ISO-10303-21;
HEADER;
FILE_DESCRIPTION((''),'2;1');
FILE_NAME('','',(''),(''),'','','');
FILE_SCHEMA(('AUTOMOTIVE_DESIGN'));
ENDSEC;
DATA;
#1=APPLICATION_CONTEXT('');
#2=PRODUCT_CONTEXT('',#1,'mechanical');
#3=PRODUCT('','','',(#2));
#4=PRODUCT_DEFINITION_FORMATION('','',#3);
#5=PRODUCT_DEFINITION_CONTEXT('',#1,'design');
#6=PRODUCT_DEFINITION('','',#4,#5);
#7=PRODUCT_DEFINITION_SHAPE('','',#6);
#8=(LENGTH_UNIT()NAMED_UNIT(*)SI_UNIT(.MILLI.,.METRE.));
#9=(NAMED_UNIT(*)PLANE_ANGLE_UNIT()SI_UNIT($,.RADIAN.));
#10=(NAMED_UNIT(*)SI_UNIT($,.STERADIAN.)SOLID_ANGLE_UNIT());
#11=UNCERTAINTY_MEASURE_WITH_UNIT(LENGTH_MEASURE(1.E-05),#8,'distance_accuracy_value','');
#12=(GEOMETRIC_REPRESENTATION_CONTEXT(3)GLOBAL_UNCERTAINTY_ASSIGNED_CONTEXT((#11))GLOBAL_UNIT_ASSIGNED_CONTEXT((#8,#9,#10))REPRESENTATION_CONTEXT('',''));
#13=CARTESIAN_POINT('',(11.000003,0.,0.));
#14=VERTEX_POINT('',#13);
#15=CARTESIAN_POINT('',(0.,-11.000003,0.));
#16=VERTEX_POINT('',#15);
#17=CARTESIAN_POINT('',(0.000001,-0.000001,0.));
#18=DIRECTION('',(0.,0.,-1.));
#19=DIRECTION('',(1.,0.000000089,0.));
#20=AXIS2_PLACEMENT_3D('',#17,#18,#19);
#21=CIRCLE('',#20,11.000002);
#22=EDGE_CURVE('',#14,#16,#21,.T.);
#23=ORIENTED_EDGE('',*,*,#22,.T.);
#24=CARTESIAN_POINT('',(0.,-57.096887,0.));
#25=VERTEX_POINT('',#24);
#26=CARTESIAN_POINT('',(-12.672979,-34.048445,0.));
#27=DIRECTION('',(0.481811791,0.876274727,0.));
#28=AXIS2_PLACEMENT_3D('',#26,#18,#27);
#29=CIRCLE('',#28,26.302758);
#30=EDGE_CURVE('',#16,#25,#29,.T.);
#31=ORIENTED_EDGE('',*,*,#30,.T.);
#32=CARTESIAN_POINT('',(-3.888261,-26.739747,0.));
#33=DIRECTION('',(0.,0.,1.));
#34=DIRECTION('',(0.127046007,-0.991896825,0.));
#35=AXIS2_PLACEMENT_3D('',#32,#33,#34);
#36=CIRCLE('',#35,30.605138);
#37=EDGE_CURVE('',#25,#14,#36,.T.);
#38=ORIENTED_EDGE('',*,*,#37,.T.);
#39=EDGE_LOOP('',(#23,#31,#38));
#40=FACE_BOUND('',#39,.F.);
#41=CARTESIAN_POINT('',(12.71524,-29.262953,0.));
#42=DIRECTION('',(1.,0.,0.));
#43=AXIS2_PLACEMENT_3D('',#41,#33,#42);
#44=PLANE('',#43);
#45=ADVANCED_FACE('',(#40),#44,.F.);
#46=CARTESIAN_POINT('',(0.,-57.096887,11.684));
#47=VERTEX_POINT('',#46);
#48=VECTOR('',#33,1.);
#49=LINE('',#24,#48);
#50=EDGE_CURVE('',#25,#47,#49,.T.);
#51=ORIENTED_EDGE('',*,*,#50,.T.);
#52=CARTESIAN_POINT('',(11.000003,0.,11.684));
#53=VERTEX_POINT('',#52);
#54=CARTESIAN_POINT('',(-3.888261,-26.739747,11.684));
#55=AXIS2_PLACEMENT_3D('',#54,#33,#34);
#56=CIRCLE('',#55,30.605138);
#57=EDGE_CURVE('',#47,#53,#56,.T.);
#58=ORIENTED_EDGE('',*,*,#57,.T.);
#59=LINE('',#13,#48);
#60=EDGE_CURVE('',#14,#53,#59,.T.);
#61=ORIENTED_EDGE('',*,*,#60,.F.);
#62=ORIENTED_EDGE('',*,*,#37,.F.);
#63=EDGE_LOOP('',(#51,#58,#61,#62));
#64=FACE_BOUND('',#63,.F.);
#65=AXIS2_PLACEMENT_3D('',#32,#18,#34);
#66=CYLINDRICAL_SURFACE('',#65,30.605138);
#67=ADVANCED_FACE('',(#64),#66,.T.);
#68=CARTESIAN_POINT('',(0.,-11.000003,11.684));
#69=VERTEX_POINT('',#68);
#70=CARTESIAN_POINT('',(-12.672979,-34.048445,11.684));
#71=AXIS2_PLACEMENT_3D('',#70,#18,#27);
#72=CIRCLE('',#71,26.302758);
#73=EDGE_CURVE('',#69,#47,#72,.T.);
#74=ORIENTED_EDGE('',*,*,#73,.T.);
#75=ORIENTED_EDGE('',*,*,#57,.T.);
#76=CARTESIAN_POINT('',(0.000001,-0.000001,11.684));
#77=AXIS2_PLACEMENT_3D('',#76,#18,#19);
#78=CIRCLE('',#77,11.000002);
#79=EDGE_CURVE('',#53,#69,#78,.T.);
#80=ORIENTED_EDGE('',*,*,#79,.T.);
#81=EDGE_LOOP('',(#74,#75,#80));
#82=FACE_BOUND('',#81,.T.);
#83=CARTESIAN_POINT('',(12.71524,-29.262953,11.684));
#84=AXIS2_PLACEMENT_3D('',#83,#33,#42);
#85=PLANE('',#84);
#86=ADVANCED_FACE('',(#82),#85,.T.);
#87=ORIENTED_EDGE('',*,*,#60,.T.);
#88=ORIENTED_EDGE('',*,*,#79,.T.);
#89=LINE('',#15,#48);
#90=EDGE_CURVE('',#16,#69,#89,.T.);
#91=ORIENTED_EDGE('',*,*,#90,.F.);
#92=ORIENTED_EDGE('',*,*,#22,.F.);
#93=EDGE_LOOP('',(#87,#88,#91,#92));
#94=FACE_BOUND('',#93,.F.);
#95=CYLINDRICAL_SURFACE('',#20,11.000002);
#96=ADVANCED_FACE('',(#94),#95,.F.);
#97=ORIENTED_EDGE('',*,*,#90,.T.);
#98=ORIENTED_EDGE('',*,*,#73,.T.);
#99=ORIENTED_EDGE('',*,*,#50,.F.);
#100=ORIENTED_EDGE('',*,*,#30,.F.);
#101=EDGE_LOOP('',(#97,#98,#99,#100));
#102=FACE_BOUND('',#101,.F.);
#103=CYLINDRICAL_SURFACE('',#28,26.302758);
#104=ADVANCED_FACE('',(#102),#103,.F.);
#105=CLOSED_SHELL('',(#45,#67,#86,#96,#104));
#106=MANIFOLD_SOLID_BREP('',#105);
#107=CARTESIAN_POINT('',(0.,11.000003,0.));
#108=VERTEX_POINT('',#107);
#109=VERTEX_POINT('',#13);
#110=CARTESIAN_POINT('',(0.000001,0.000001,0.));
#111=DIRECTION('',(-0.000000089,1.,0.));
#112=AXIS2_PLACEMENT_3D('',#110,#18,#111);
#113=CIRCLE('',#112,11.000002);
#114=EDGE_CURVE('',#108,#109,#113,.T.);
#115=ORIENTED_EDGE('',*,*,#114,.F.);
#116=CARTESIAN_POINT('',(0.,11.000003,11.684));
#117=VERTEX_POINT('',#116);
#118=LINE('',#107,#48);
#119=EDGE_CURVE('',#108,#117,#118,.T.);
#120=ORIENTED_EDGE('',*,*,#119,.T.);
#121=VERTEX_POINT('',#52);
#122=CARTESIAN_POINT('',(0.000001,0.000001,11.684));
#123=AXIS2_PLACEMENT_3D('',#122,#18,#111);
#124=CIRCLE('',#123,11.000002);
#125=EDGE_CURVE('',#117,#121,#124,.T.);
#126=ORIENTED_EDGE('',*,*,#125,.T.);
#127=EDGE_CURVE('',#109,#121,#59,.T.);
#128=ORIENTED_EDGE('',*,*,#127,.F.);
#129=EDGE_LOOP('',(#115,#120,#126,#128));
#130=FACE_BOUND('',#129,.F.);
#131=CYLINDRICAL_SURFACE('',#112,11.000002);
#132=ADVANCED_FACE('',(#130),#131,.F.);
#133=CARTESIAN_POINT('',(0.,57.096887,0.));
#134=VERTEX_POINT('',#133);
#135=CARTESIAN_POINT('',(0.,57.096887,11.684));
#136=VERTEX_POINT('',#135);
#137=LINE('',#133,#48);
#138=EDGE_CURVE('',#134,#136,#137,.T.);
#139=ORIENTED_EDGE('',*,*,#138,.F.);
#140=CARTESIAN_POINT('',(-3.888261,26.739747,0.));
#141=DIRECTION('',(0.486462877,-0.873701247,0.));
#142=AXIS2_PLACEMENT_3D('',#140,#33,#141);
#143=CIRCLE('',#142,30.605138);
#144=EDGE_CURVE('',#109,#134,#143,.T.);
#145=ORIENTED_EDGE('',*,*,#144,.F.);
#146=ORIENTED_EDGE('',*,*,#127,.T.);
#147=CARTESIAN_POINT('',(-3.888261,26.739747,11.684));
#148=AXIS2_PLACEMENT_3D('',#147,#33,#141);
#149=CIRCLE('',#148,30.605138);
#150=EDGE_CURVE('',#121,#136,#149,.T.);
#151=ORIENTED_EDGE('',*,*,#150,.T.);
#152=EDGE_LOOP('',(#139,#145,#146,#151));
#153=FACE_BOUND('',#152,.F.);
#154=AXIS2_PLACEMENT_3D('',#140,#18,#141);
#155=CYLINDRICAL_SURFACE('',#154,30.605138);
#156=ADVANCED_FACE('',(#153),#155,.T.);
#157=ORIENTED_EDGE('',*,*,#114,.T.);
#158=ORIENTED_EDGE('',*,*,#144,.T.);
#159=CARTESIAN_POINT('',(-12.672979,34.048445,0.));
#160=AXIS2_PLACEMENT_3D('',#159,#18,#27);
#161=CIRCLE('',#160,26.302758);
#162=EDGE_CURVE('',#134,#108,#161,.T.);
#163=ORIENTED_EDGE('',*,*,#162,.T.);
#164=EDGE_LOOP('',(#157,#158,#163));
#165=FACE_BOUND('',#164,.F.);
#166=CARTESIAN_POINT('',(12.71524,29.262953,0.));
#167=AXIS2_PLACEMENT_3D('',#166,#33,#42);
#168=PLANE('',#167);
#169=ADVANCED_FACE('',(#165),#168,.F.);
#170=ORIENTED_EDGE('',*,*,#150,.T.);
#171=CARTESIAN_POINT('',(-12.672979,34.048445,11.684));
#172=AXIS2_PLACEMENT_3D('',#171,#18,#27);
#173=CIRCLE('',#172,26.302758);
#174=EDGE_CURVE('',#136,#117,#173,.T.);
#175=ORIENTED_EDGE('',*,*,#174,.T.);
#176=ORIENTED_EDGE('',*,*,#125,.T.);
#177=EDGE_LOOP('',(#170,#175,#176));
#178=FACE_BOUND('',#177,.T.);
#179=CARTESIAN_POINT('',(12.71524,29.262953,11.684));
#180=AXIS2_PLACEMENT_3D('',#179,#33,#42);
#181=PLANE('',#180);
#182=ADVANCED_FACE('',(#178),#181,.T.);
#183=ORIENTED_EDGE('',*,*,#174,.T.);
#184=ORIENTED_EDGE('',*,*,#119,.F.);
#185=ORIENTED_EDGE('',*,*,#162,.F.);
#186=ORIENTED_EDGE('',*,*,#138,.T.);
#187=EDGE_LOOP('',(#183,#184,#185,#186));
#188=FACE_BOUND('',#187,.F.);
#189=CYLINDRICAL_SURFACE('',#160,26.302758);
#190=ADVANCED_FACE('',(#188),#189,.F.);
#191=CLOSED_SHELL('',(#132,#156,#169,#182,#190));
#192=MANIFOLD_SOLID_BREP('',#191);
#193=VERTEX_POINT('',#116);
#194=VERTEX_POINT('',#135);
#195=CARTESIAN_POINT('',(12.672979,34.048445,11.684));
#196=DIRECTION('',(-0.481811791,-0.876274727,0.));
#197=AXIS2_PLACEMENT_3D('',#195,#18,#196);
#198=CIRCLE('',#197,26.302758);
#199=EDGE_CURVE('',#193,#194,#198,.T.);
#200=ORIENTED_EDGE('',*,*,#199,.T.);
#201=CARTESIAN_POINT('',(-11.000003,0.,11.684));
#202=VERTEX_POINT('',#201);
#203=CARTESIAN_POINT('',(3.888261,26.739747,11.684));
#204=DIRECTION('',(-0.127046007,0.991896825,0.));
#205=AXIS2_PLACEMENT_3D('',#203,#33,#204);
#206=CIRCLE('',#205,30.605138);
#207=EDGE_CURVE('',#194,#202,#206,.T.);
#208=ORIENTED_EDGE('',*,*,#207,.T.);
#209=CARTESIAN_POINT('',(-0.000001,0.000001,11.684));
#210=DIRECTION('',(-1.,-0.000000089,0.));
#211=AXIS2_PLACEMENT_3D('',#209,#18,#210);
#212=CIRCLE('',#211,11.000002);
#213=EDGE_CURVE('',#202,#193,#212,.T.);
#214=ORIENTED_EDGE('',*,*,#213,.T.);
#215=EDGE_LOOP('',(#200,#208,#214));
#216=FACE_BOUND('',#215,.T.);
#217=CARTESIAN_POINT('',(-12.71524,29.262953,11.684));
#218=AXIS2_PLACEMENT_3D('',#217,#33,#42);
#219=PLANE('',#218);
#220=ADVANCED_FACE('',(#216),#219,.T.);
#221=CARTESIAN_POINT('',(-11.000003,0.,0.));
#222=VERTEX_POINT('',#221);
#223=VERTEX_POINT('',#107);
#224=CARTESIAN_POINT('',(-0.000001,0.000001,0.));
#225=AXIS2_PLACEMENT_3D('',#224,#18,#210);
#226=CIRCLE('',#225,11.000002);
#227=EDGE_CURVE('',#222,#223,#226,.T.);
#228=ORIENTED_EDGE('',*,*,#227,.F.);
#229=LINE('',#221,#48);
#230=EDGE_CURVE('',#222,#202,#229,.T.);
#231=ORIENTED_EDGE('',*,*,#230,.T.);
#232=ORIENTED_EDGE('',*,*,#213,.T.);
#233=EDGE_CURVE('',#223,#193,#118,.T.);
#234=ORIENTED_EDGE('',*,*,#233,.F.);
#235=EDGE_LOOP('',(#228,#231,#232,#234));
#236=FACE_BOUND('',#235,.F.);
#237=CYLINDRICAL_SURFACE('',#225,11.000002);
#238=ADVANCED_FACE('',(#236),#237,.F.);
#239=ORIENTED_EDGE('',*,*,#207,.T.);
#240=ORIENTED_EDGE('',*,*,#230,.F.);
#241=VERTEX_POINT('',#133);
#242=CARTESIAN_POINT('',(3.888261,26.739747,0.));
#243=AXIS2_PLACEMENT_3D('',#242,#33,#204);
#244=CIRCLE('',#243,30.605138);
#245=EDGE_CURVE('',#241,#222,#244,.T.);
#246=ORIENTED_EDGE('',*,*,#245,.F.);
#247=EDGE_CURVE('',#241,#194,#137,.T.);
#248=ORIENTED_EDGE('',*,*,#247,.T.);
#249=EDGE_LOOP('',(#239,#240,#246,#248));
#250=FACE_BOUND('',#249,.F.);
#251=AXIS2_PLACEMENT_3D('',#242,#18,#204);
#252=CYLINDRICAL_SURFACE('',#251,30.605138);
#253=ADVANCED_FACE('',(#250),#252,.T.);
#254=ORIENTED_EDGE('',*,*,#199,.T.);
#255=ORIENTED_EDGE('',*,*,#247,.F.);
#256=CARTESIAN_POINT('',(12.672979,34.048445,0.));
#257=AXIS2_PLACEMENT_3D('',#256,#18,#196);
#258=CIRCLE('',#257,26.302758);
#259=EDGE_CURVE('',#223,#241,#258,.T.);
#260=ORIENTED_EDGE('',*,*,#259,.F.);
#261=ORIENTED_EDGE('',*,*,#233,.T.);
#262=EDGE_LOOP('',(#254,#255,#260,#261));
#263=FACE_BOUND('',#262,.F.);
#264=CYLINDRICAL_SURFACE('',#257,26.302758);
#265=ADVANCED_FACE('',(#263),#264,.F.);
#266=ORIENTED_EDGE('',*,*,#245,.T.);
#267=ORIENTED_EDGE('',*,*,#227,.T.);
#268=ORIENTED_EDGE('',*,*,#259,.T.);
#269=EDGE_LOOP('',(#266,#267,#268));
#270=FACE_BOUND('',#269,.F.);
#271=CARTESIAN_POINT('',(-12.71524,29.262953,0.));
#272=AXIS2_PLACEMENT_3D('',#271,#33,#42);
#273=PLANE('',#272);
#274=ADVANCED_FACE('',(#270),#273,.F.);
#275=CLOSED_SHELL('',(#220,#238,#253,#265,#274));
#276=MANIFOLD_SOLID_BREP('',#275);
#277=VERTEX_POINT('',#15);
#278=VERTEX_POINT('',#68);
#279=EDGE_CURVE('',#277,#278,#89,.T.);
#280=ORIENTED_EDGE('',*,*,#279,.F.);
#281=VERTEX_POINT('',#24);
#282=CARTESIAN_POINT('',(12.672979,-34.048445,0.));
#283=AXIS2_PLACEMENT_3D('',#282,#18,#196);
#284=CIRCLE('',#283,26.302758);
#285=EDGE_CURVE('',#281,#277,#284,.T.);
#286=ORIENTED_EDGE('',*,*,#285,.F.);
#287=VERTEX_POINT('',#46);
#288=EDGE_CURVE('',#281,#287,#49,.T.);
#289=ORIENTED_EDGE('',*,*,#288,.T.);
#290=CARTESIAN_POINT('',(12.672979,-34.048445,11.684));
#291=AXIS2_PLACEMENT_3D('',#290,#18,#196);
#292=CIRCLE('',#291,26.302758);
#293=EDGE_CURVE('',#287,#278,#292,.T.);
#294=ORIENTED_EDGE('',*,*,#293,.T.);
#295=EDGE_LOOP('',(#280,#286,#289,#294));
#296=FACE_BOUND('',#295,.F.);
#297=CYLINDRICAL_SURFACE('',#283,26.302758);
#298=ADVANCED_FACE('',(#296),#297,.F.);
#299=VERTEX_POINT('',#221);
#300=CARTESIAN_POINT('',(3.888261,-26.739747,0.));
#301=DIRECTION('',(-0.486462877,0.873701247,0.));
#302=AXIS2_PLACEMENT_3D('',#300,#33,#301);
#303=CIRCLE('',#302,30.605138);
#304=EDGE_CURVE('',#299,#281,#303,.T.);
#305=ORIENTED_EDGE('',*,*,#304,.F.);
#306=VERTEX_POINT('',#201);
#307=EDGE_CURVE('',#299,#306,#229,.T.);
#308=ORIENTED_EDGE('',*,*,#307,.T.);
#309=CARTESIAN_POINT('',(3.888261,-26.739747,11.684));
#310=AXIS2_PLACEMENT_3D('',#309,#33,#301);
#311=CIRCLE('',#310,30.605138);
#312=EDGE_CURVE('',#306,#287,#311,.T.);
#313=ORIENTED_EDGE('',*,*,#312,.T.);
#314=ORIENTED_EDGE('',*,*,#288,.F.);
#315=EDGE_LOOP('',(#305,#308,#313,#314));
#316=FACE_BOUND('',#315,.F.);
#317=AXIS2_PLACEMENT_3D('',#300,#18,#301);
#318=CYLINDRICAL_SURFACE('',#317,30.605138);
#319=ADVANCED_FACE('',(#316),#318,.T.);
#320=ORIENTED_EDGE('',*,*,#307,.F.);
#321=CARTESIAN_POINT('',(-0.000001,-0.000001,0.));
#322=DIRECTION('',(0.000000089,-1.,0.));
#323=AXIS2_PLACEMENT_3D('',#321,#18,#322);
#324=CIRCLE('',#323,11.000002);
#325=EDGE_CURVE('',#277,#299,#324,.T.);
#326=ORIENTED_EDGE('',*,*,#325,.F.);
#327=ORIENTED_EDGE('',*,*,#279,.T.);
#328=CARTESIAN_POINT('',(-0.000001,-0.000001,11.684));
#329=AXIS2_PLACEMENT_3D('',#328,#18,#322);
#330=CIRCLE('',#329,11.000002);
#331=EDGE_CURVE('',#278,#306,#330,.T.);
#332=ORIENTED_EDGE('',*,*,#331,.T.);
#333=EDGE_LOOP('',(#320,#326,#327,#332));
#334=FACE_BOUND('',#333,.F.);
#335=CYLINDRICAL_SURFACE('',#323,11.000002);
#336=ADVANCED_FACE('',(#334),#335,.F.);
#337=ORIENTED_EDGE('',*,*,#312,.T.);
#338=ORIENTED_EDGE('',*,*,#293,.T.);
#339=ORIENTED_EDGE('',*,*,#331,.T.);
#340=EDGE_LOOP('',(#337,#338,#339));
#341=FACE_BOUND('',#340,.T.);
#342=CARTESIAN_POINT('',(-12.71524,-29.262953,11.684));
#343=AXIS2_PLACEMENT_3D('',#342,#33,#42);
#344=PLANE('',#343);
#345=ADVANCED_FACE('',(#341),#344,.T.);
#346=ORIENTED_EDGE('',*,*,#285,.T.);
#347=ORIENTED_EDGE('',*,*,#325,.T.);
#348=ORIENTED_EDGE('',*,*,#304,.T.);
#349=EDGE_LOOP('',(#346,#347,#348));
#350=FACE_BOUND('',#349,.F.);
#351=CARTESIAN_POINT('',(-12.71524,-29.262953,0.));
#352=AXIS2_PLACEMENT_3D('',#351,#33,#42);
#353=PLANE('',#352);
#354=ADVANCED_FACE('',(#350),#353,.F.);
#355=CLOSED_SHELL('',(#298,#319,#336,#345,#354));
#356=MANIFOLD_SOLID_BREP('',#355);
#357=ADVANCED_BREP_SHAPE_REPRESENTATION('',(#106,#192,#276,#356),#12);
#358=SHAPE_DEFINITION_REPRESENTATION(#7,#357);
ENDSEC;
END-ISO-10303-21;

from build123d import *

# Parameters (mm, degrees)
F1_DEPTH = 11.684


with BuildPart() as f1:
    # F0 (on Top) → F1 (new body)
    with BuildSketch(Plane.XY):
        with BuildLine():
            ThreePointArc((-11.000003, 0), (-7.778177, 7.778177), (0, 11.000003))
            ThreePointArc((0, 11.000003), (-13.629779, 34.048445), (0, 57.096887))
            ThreePointArc((0, 57.096887), (-26.164245, 32.529514), (-11.000003, 0))
        make_face()
        with BuildLine():
            ThreePointArc((0, 11.000003), (7.778177, 7.778177), (11.000003, 0))
            ThreePointArc((11.000003, 0), (26.164245, 32.529514), (0, 57.096887))
            ThreePointArc((0, 57.096887), (13.629779, 34.048445), (0, 11.000003))
        make_face()
        with BuildLine():
            ThreePointArc((0, -57.096887), (-13.629779, -34.048445), (0, -11.000003))
            ThreePointArc((0, -11.000003), (-7.778177, -7.778177), (-11.000003, 0))
            ThreePointArc((-11.000003, 0), (-26.164245, -32.529514), (0, -57.096887))
        make_face()
        with BuildLine():
            ThreePointArc((0, -57.096887), (26.164245, -32.529514), (11.000003, 0))
            ThreePointArc((11.000003, 0), (7.778177, -7.778177), (0, -11.000003))
            ThreePointArc((0, -11.000003), (13.629779, -34.048445), (0, -57.096887))
        make_face()
    extrude(amount=F1_DEPTH)


solid = f1.part
